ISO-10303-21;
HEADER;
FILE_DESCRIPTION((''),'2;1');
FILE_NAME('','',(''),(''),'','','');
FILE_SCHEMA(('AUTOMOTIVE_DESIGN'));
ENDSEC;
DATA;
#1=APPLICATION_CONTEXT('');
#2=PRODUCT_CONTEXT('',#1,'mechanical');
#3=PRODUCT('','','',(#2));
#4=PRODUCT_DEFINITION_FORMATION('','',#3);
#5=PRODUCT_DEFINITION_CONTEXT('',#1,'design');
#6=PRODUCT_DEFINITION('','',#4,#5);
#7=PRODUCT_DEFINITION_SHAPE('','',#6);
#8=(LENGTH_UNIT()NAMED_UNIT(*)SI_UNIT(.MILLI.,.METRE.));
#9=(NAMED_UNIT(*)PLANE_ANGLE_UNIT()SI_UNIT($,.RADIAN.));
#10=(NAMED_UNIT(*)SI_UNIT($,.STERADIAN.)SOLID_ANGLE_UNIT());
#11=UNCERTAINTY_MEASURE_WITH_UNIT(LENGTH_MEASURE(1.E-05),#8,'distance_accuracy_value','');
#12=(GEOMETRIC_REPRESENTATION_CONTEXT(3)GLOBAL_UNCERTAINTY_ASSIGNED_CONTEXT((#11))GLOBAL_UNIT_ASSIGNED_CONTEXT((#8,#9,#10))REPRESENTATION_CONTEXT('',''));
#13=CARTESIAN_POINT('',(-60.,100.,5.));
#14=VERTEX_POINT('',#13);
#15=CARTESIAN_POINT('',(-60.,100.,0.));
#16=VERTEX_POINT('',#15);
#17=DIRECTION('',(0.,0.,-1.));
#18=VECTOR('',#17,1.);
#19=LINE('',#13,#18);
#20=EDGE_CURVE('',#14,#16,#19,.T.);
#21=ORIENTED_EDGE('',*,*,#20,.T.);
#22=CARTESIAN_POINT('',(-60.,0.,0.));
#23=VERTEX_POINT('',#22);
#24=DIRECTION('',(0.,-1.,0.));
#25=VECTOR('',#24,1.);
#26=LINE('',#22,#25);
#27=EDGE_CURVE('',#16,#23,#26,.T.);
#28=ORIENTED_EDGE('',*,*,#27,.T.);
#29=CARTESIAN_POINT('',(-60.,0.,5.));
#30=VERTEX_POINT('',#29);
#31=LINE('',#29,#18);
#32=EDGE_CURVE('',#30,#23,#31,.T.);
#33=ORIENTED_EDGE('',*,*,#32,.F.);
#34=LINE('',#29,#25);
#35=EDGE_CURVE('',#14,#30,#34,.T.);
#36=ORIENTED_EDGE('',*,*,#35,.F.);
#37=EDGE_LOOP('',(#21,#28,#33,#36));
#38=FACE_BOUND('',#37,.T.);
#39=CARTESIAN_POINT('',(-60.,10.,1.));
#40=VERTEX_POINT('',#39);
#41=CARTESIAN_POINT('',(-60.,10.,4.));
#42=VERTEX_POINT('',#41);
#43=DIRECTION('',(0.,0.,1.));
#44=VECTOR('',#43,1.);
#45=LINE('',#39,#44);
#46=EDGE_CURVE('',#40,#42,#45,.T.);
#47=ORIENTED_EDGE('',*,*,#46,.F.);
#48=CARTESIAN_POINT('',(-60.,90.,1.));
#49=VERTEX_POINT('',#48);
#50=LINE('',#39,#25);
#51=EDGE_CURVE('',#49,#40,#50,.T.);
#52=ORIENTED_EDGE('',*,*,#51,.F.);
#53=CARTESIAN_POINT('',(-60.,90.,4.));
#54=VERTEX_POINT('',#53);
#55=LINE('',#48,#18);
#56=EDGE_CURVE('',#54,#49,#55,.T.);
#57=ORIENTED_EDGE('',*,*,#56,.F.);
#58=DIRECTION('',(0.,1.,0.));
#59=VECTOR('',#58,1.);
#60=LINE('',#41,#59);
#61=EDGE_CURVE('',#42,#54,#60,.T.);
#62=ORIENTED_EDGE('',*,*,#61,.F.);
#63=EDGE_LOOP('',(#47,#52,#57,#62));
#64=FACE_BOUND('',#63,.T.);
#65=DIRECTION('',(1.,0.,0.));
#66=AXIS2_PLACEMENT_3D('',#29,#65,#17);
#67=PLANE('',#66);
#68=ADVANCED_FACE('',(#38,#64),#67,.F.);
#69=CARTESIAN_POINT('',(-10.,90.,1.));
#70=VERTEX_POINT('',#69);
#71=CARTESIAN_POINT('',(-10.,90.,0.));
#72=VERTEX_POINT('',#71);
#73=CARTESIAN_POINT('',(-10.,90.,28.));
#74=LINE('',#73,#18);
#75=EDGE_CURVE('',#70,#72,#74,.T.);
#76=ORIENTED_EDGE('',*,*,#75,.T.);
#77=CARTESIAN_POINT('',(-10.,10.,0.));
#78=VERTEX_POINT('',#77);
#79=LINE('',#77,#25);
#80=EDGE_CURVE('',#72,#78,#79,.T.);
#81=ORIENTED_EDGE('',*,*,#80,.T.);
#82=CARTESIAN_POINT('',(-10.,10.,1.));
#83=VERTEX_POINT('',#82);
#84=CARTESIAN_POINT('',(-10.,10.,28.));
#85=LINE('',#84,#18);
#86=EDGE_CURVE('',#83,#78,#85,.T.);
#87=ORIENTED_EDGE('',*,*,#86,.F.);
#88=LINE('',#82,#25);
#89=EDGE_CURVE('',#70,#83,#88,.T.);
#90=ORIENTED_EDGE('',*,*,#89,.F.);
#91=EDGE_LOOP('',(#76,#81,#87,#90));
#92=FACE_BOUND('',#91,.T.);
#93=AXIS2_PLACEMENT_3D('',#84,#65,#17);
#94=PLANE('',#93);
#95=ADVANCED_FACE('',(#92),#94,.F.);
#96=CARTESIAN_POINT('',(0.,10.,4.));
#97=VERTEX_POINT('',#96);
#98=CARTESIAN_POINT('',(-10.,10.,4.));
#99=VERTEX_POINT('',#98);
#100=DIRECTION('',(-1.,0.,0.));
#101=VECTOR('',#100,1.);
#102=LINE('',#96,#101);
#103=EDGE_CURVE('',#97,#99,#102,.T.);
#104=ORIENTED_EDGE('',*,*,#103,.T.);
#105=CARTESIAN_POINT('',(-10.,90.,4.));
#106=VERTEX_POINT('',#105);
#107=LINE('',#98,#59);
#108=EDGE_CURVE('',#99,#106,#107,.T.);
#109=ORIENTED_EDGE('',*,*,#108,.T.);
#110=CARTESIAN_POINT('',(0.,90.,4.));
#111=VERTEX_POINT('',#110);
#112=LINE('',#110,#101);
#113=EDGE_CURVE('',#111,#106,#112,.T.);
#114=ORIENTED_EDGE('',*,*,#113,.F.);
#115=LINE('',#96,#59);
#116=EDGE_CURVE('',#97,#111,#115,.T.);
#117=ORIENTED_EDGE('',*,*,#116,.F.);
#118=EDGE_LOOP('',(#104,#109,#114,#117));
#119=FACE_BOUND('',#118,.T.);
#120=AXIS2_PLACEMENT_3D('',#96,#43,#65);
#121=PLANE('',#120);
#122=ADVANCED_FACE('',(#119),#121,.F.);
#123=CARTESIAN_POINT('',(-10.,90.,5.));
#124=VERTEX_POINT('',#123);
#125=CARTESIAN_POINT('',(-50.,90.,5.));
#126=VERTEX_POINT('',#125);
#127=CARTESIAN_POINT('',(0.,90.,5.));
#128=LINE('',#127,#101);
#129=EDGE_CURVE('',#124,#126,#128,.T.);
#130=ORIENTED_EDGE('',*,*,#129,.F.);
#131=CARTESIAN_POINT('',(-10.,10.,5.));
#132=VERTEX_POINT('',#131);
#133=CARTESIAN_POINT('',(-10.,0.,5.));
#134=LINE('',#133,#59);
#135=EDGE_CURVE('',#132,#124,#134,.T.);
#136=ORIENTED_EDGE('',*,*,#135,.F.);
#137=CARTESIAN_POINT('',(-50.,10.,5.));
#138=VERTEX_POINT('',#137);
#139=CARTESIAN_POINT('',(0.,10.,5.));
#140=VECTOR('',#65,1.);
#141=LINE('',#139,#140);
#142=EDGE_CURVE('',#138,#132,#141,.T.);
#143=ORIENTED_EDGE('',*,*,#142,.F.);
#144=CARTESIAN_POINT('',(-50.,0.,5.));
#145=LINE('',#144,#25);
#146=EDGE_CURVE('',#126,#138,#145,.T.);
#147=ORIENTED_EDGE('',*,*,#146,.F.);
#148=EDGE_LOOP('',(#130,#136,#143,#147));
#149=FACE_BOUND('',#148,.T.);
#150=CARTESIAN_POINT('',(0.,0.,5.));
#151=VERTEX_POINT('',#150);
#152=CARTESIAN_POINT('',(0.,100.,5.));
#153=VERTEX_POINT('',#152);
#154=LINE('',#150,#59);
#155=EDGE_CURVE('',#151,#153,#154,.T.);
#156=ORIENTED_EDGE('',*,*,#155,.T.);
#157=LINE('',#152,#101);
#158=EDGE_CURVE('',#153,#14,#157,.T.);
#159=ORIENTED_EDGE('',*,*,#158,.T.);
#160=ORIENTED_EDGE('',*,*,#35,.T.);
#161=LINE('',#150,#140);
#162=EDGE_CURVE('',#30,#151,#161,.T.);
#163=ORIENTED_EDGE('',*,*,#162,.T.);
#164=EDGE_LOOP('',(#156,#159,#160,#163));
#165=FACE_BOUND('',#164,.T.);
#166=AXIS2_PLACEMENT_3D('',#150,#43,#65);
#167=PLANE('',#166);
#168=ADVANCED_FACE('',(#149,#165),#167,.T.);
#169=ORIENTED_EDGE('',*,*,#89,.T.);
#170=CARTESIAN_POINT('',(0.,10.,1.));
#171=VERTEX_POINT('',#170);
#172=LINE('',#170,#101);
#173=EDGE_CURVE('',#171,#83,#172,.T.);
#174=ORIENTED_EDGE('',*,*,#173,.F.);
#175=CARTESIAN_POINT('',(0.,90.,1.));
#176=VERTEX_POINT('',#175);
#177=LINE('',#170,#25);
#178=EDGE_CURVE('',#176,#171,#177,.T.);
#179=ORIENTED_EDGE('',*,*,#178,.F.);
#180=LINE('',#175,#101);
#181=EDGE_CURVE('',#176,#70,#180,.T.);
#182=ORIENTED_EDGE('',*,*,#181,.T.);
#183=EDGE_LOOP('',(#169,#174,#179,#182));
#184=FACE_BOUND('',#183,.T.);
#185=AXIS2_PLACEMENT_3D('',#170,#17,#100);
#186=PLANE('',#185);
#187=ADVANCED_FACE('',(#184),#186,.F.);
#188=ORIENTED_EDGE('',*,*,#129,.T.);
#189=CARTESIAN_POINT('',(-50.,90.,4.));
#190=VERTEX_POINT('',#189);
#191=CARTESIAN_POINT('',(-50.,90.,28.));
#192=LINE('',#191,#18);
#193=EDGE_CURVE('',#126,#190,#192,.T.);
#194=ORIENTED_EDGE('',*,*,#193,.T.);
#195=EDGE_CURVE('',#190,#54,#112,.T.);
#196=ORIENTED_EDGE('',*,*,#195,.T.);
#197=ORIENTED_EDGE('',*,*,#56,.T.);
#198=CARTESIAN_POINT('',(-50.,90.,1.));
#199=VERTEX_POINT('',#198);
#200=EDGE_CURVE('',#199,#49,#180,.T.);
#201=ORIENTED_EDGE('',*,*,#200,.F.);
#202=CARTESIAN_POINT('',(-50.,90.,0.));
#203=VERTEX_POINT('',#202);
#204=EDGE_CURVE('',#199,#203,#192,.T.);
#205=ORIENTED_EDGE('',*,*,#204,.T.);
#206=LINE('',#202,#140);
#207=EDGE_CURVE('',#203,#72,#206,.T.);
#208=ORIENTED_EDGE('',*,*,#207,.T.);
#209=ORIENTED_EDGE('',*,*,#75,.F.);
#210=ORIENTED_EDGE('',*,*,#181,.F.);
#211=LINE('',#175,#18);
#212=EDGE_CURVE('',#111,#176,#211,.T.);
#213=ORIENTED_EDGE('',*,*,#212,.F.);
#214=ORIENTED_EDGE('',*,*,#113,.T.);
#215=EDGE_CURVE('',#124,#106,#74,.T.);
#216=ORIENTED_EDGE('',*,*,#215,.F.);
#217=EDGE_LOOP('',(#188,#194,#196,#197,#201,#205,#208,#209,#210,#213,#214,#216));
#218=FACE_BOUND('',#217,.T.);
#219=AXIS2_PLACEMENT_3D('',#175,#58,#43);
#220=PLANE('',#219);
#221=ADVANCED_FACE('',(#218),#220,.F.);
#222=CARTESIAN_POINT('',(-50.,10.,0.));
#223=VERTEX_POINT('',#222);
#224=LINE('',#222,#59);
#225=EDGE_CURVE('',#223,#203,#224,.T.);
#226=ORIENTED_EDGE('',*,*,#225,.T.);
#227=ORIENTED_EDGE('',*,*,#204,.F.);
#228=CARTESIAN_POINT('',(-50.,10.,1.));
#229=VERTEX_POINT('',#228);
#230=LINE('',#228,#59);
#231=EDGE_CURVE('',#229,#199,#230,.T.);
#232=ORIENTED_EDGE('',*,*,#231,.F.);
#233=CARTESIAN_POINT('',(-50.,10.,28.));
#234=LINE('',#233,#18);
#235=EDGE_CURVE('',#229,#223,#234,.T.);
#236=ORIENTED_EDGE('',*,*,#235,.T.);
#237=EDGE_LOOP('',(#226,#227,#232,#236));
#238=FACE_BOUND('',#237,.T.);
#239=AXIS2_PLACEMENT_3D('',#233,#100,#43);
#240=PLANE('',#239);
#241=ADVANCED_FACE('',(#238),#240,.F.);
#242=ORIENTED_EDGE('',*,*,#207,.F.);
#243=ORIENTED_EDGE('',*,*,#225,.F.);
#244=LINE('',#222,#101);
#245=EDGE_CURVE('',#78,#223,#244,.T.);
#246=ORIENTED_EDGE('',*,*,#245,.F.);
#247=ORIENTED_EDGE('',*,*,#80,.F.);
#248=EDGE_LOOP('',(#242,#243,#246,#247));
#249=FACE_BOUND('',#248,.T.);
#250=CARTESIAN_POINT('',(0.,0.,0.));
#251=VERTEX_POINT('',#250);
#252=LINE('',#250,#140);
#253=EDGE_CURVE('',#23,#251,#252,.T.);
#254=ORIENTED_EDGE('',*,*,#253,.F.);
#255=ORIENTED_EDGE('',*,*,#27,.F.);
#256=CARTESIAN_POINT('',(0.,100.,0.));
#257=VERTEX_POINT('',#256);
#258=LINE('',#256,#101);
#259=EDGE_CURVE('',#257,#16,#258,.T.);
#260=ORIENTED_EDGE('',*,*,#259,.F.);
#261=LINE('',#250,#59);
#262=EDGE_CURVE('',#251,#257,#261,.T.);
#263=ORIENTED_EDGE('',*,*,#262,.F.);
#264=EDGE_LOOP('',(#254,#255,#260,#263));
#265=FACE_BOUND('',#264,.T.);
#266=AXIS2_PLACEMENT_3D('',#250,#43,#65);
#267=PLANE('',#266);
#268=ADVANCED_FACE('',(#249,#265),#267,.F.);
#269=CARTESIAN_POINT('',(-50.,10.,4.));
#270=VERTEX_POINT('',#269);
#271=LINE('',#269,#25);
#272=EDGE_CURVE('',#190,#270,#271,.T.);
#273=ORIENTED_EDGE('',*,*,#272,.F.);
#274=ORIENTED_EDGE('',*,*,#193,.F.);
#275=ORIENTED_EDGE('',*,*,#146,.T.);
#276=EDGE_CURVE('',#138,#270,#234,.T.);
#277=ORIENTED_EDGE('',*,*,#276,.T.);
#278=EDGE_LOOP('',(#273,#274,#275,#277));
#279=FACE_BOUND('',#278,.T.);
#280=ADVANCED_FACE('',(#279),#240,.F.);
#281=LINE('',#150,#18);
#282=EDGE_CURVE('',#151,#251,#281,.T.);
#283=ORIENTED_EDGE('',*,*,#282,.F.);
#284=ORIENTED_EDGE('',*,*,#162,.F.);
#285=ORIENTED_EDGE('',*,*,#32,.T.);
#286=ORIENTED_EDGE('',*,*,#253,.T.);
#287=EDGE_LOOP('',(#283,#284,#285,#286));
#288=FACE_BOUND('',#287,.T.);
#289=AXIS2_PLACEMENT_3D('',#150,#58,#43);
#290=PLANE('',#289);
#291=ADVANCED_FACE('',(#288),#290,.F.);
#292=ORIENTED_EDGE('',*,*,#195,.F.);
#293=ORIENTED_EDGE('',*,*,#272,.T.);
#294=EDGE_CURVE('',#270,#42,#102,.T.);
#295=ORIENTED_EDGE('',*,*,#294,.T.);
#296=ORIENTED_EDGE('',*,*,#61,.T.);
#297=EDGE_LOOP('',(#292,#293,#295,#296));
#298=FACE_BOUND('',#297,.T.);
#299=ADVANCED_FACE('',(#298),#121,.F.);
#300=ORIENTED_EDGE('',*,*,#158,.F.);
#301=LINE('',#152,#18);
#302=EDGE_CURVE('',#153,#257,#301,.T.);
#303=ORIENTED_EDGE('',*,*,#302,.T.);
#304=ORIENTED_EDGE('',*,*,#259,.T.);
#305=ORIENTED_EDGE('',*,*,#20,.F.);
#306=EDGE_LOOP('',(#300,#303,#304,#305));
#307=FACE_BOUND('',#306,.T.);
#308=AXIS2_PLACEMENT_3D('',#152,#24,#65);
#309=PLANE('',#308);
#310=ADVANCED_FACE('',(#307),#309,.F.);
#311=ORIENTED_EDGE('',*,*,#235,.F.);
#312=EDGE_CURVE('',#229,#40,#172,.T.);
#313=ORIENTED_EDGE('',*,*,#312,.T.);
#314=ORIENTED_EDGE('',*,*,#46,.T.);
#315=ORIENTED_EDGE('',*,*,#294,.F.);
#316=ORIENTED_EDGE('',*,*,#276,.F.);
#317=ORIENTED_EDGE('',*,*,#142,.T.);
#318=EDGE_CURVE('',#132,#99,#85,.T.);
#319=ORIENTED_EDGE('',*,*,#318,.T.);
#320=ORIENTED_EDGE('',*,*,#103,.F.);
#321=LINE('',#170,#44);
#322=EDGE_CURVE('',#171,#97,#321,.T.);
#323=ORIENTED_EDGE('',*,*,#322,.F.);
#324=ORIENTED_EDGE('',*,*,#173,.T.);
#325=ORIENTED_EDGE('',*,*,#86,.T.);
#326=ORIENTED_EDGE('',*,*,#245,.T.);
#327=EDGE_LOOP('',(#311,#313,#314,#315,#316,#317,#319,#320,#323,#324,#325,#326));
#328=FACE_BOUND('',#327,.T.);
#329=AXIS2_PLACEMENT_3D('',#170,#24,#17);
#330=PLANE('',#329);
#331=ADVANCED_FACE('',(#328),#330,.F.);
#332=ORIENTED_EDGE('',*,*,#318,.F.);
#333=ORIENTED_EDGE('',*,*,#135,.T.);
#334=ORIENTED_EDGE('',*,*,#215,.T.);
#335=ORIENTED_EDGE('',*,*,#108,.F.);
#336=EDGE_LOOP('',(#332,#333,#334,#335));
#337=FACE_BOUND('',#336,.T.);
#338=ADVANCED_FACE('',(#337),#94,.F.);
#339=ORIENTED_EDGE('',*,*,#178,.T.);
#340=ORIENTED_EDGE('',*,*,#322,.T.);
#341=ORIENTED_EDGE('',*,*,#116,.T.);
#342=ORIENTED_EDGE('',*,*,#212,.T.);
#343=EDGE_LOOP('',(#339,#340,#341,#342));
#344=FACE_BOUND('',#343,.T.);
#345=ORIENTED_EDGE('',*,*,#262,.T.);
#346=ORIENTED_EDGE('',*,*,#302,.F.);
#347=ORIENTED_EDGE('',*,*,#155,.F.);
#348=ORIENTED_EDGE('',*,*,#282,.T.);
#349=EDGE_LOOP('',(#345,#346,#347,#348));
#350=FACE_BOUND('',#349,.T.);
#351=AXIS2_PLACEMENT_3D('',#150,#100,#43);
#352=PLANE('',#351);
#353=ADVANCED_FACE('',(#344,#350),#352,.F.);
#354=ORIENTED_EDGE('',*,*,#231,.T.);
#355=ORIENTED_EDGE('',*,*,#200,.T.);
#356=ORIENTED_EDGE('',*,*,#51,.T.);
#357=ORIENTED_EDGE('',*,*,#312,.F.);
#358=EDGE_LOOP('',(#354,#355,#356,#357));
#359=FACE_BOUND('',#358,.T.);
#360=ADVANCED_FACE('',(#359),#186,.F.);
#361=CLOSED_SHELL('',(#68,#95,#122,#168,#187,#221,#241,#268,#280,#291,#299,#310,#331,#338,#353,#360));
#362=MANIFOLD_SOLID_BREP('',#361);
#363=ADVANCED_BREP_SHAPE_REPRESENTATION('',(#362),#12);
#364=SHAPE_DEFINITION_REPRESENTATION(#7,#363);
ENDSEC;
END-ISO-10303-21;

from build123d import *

# Parameters (mm, degrees)
CROQUIS1_W              = 60
CROQUIS1_H              = 100
SALIENTE_EXTRUIR1_DEPTH = 5
CROQUIS3_W              = 3
CROQUIS3_H              = 80
CORTAR_EXTRUIR2_DEPTH   = 60
CROQUIS4_W              = 40
CROQUIS4_H              = 80
CORTAR_EXTRUIR3_DEPTH   = 28


with BuildPart() as part:
    # Croquis1 → Saliente-Extruir1 (new body)
    with BuildSketch(Plane.XY):
        with Locations((-30, 50)):
            Rectangle(CROQUIS1_W, CROQUIS1_H)
    extrude(amount=SALIENTE_EXTRUIR1_DEPTH)

    # Croquis3 → Cortar-Extruir2 (cut)
    with BuildSketch(Plane.ZY.offset(60)):
        with Locations((2.5, 50)):
            Rectangle(CROQUIS3_W, CROQUIS3_H)
    extrude(amount=-CORTAR_EXTRUIR2_DEPTH, mode=Mode.SUBTRACT)

    # Croquis4 → Cortar-Extruir3 (cut)
    with BuildSketch(Plane(origin=(0, 0, 0), x_dir=(-1, 0, 0), z_dir=(0, 0, -1))):
        with Locations((30, 50)):
            Rectangle(CROQUIS4_W, CROQUIS4_H)
    extrude(amount=-CORTAR_EXTRUIR3_DEPTH, mode=Mode.SUBTRACT)


solid = part.part
